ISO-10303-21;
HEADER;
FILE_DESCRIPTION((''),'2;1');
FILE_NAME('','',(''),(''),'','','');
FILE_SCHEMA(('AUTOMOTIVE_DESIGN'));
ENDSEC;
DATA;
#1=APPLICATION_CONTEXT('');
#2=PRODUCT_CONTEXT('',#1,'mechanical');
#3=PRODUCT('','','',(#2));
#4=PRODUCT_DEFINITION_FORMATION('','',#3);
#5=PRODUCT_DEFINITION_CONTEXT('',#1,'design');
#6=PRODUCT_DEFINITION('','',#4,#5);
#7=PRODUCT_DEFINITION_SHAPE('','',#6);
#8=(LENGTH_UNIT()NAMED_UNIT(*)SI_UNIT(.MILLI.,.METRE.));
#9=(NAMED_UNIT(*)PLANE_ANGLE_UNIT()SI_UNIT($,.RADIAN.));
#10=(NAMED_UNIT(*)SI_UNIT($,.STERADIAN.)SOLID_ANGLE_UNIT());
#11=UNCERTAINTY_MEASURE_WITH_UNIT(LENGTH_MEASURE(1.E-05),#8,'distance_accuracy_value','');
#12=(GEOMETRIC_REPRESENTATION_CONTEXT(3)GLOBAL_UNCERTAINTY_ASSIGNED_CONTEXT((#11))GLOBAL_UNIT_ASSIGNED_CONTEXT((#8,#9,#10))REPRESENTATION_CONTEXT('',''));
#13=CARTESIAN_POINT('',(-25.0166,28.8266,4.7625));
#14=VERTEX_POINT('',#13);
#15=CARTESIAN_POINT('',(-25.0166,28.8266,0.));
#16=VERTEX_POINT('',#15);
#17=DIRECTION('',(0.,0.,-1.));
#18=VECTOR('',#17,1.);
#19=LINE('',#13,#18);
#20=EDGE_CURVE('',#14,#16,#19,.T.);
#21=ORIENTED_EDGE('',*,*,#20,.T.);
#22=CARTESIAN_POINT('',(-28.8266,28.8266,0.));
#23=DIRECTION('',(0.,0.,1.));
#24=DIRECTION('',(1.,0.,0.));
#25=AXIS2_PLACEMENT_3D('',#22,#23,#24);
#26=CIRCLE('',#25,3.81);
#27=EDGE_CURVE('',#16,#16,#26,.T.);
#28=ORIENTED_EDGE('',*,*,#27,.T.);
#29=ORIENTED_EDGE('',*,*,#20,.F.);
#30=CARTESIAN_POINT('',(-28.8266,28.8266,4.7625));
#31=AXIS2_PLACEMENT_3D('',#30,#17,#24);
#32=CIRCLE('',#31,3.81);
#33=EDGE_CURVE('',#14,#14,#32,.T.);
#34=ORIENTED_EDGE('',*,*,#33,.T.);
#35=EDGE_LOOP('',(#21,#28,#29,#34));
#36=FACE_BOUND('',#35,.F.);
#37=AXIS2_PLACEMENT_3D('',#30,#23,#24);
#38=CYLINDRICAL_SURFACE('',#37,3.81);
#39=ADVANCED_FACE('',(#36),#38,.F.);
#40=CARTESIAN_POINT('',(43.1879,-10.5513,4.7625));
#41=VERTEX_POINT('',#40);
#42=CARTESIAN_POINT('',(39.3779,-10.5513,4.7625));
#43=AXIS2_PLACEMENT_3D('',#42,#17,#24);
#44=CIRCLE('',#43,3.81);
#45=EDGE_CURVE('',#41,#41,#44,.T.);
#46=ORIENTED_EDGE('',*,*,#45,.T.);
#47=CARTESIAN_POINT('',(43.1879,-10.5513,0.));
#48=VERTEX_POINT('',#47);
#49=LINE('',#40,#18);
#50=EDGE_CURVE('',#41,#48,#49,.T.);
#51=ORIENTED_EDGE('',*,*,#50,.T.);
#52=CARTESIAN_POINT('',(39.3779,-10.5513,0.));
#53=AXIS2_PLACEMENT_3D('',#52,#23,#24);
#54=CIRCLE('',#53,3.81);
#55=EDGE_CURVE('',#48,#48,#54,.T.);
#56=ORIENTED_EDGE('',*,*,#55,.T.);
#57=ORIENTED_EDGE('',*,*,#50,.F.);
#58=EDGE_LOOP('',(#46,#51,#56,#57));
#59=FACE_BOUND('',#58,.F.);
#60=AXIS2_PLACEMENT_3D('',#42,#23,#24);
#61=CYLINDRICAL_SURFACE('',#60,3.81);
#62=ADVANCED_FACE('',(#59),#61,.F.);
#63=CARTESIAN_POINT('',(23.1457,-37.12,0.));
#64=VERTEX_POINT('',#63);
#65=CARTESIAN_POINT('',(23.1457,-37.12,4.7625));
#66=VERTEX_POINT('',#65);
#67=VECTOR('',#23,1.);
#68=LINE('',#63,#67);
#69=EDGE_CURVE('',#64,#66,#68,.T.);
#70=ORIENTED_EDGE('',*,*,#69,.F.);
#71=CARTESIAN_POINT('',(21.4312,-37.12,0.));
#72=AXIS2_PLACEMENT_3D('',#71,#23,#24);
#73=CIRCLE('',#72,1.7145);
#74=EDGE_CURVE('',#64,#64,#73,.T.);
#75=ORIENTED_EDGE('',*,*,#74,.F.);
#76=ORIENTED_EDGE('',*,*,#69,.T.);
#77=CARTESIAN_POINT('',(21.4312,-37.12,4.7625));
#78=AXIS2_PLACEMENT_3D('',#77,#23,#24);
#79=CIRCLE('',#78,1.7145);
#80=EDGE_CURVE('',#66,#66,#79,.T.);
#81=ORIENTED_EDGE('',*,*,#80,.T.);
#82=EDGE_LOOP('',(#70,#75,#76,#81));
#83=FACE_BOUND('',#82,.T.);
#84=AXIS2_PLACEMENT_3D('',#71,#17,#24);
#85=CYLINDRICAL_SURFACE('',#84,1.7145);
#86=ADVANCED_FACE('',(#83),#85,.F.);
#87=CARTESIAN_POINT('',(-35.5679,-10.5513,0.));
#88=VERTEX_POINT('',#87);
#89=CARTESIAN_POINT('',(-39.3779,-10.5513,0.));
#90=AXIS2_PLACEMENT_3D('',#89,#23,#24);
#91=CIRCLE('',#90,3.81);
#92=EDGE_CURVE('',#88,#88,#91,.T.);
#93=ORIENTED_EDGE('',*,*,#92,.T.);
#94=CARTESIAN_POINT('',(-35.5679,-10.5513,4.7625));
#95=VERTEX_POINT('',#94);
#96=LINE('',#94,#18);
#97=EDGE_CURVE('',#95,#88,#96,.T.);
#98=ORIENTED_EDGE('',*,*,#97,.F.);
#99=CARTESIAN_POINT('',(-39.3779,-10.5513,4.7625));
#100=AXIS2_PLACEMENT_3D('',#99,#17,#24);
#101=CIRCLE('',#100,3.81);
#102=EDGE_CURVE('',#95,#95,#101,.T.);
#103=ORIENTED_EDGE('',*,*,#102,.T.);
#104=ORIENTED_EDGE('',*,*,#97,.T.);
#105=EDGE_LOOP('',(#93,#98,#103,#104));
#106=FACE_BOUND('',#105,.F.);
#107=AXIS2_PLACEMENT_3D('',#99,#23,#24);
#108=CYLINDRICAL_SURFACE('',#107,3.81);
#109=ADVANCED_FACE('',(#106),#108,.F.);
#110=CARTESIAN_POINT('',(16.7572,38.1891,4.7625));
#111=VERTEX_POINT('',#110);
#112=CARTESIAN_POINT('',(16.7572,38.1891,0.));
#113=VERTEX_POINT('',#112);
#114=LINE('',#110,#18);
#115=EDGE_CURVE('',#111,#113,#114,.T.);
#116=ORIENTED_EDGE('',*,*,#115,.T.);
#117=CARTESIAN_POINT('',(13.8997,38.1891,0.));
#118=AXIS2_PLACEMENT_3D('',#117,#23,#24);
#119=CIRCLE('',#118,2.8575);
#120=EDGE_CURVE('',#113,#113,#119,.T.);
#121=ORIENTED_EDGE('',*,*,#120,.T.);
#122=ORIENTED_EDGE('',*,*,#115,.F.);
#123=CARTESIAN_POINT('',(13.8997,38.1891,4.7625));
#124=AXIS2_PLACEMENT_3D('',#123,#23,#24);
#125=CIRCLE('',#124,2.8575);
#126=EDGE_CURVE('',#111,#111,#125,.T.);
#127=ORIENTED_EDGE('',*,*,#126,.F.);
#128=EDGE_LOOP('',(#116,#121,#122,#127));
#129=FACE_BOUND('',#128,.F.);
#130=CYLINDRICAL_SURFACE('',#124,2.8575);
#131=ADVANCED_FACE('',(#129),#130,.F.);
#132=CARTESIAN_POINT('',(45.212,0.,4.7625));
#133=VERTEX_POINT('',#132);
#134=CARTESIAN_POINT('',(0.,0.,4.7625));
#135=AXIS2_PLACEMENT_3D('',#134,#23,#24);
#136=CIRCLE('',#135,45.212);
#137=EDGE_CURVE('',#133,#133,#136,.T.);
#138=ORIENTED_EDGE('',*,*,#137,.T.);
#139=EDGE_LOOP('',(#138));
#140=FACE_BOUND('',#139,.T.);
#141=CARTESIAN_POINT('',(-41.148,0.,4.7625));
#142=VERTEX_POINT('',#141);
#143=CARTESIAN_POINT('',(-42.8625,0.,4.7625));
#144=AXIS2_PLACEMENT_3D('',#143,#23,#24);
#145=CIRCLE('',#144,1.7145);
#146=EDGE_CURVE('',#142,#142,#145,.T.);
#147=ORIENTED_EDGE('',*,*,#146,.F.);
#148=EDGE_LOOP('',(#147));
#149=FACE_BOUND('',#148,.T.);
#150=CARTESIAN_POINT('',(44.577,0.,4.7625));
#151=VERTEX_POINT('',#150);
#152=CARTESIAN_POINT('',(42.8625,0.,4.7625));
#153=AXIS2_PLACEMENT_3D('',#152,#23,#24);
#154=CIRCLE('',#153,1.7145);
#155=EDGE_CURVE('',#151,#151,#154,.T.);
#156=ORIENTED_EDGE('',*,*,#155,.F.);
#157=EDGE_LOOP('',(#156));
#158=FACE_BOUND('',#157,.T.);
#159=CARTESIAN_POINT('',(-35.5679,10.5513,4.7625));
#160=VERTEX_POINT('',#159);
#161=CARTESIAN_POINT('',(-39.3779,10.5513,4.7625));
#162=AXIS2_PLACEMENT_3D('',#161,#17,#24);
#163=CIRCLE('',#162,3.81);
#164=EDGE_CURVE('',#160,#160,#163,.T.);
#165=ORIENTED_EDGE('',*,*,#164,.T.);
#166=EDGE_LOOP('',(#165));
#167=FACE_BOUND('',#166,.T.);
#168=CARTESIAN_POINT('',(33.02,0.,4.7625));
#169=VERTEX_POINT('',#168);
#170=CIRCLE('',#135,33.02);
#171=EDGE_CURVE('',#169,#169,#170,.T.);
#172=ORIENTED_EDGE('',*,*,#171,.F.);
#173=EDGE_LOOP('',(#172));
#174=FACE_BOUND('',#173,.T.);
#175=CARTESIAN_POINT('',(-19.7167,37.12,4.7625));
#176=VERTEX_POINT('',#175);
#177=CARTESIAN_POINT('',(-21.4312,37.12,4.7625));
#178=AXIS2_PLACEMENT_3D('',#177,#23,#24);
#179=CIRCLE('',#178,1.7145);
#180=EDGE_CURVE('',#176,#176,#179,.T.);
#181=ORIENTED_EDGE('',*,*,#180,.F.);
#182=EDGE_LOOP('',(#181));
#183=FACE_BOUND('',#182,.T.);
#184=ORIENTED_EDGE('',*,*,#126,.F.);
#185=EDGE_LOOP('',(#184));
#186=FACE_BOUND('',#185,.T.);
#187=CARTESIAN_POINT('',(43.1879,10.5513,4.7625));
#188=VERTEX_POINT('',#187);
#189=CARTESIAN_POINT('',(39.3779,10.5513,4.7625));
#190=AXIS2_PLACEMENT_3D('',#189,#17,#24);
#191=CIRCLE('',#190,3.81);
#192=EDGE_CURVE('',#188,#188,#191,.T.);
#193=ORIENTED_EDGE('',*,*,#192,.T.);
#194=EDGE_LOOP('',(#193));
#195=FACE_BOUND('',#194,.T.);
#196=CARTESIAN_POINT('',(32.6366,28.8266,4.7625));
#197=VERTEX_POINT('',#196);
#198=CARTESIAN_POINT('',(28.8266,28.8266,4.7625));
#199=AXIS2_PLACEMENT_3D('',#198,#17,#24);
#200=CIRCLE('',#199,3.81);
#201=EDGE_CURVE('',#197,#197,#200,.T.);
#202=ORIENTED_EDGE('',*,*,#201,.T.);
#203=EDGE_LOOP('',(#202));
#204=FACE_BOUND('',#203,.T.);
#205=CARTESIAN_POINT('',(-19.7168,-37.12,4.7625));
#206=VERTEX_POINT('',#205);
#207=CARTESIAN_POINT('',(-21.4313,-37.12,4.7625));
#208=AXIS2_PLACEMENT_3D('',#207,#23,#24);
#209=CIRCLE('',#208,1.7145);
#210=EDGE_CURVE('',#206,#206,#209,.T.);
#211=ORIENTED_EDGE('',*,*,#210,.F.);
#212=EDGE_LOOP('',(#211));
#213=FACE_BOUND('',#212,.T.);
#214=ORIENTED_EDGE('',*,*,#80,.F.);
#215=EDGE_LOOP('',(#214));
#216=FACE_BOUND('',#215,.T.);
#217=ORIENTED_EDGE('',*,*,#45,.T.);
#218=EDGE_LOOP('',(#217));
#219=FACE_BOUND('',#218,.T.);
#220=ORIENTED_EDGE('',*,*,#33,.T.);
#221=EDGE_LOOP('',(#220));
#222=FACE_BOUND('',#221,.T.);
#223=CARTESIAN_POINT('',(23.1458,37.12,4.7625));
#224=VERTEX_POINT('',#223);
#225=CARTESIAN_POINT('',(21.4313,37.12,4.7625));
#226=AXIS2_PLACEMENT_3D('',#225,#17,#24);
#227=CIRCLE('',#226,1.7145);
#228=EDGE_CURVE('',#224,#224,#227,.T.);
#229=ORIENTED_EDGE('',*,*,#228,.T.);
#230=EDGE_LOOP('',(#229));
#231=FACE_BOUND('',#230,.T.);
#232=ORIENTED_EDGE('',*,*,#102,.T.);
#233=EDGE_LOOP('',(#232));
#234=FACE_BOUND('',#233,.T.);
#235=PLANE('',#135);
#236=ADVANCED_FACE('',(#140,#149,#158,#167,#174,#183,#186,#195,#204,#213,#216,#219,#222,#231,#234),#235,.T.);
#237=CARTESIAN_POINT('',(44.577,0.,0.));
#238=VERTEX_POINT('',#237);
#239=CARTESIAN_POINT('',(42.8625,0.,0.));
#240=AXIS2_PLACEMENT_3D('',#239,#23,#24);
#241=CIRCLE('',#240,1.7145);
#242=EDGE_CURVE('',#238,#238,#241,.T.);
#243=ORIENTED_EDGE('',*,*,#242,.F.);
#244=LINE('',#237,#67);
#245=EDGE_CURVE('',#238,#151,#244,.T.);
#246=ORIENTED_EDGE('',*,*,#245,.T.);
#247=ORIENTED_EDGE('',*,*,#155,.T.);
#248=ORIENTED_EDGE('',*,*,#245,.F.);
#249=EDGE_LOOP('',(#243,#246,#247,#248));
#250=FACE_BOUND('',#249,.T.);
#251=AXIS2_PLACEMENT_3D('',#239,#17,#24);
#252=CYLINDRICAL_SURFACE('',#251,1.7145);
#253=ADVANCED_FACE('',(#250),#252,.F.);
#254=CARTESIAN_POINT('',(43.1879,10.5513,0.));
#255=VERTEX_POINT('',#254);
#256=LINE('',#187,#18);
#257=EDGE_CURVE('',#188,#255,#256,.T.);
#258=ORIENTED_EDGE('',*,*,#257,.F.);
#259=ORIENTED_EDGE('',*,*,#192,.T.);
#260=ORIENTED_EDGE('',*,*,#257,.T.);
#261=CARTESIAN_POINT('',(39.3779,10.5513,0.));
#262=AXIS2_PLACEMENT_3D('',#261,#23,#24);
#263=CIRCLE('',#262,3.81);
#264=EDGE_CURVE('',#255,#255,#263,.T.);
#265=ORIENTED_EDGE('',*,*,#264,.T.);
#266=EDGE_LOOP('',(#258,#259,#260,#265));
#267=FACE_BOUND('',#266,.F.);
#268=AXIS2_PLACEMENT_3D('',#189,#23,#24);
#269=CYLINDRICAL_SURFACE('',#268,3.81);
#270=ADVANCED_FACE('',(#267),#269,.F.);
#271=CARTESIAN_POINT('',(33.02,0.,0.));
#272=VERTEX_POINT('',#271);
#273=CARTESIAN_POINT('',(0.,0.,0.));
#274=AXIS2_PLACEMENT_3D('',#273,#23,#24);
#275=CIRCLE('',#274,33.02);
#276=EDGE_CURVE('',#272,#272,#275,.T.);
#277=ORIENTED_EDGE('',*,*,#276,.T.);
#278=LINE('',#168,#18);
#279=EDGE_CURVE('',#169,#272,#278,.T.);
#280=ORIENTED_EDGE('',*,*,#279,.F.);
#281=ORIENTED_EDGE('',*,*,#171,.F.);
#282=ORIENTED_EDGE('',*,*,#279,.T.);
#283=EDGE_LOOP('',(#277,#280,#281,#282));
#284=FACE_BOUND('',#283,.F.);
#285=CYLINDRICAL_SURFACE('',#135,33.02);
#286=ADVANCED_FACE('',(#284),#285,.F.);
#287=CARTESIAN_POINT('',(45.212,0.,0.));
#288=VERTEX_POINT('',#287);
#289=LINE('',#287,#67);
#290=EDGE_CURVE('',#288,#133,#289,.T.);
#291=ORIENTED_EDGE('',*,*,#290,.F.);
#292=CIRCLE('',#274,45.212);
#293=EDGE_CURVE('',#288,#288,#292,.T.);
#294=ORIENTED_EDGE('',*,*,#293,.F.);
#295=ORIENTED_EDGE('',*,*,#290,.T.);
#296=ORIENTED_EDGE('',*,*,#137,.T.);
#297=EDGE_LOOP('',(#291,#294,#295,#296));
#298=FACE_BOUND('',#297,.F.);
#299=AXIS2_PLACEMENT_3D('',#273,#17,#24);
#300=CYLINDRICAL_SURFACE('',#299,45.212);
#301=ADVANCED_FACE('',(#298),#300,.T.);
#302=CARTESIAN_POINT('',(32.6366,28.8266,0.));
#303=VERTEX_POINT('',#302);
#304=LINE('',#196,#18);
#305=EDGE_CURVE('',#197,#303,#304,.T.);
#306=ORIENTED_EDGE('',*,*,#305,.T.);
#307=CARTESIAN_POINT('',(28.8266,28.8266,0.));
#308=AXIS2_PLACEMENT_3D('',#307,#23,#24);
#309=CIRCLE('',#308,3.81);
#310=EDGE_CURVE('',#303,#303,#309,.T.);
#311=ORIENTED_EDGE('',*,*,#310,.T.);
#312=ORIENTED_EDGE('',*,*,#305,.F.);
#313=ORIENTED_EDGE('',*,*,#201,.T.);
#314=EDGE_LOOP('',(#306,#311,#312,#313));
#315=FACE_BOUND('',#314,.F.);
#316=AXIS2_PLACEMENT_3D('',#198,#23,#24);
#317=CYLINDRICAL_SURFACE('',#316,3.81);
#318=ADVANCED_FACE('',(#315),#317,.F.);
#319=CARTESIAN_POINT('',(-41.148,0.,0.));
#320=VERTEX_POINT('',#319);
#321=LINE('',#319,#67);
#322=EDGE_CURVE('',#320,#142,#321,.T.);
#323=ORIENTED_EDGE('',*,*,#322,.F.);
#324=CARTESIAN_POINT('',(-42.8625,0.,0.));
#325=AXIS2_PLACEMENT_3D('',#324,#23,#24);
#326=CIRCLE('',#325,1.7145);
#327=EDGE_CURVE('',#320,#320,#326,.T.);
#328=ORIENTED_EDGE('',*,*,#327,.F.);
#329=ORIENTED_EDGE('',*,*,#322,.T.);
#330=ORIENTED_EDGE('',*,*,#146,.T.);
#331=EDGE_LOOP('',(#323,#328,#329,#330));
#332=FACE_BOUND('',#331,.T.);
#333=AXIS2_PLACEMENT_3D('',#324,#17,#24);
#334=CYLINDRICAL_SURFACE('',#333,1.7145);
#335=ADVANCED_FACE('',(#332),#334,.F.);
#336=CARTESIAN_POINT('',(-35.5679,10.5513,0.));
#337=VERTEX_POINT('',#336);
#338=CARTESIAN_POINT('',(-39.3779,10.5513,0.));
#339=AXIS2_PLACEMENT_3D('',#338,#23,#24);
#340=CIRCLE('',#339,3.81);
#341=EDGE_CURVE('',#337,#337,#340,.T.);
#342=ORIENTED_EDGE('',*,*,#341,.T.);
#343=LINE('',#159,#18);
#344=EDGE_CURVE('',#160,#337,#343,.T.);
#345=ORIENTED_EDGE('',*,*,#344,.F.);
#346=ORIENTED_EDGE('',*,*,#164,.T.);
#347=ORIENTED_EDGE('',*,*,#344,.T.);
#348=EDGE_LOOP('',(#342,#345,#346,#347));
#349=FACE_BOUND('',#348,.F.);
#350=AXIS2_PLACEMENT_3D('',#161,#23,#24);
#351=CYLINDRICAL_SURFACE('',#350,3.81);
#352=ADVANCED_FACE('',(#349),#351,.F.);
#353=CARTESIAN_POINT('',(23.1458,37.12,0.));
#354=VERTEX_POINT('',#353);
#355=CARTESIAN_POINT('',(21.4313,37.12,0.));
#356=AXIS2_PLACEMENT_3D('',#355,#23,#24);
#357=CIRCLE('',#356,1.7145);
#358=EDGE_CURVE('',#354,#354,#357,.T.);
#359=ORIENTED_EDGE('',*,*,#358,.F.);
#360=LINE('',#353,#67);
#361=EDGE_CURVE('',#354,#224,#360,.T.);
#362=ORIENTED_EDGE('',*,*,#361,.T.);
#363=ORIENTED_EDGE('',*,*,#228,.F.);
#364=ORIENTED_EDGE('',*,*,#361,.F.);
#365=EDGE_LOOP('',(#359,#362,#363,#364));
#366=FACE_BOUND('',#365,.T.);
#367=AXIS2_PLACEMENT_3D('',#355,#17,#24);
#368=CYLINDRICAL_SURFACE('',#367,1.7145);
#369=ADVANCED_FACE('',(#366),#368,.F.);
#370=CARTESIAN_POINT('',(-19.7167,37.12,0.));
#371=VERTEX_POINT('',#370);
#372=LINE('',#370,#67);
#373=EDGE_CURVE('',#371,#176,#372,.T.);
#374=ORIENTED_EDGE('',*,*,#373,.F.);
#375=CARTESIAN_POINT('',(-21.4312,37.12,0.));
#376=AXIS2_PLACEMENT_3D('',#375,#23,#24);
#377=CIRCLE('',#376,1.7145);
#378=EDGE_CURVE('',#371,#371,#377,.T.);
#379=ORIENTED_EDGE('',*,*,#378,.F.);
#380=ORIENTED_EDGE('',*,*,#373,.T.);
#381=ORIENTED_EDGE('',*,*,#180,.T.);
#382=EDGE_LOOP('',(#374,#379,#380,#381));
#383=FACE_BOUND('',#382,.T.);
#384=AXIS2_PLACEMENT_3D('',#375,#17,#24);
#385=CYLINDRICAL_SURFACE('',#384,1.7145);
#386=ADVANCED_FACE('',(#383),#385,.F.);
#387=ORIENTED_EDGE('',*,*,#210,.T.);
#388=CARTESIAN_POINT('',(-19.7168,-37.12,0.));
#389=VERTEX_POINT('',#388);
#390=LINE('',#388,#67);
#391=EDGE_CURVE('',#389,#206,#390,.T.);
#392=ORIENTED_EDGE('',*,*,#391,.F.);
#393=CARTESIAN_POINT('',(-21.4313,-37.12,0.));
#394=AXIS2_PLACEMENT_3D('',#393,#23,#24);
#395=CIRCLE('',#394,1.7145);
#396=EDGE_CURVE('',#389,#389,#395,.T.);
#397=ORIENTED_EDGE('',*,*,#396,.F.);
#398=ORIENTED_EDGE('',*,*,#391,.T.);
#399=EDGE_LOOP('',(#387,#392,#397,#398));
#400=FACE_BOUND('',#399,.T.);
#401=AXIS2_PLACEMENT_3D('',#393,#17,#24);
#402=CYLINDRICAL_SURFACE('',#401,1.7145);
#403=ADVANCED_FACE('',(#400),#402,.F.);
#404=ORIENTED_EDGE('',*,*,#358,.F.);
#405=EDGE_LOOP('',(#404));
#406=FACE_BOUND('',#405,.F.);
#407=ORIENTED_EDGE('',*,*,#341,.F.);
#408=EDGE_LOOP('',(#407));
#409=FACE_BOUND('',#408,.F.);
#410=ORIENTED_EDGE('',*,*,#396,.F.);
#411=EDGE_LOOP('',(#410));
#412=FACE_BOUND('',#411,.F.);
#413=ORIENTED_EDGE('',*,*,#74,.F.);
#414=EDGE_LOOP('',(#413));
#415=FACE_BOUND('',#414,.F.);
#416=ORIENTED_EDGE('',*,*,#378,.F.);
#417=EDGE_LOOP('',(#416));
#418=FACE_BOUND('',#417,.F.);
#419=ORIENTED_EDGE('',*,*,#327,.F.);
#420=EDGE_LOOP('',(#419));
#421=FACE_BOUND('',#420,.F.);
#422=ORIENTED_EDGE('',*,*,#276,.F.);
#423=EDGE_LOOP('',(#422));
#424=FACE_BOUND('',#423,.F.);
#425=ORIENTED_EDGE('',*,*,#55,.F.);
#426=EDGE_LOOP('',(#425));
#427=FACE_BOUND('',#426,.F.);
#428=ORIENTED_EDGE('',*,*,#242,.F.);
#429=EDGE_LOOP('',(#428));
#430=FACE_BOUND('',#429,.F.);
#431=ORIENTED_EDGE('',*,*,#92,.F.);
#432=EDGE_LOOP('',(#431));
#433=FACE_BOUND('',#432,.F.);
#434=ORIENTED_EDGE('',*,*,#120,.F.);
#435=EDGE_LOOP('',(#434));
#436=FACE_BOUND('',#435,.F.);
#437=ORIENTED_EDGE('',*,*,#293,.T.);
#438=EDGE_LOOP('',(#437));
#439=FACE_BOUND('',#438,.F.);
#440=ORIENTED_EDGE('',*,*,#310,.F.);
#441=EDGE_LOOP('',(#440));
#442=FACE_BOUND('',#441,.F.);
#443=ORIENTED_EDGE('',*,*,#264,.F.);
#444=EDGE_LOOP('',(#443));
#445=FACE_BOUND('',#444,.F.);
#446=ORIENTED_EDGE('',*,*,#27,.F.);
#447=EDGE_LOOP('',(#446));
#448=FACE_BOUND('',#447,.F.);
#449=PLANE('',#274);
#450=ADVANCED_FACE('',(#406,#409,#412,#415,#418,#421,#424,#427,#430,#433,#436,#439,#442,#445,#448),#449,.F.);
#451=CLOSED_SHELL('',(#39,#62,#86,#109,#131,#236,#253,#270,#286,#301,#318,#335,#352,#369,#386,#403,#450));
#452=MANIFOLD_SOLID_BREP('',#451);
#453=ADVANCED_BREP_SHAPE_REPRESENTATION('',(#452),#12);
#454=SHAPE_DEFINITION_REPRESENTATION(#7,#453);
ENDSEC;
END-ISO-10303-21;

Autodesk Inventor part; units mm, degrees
ref_plane "YZ Plane" through (0, 0, 0) normal (1, 0, 0) x (0, 1, 0)
ref_plane "XZ Plane" through (0, 0, 0) normal (0, 1, 0) x (-1, 0, 0)
ref_plane "XY Plane" through (0, 0, 0) normal (0, 0, 1) x (1, 0, 0)
sketch "Sketch1" plane through (0, 0, 0) normal (0, 0, 1) x (1, 0, 0)
  circle A0 centre (0, 0) radius 45.212
  line L0 (0, 0) -> (21.4313, 37.12)
  line L1 (0, 0) -> (42.8625, 0) construction
  circle A1 centre (21.4313, 37.12) radius 1.7145
  circle A2 centre (-21.4312, 37.12) radius 1.7145
  circle A3 centre (-42.8625, 0) radius 1.7145
  circle A4 centre (-21.4313, -37.12) radius 1.7145
  circle A5 centre (21.4312, -37.12) radius 1.7145
  circle A6 centre (42.8625, 0) radius 1.7145
  dimension "d0" = 90.424
  dimension "d1" = 42.8625
  dimension "d2" = 60
  dimension "d3" = 3.429
  dimension "d6" = 360
extrude "Extrusion1" add sketch "Sketch1" along normal blind 4.7625
sketch "Sketch2" plane through (0, 0, 4.7625) normal (0, 0, 1) x (1, 0, 0)
  circle A0 centre (0, 0) radius 33.02
  dimension "d10" = 66.04
extrude "Extrusion2" cut sketch "Sketch2" against normal blind 25.4
sketch "Sketch8" plane through (0, 0, 4.7625) normal (0, 0, 1) x (1, 0, 0)
  circle A0 centre (0, 0) radius 33.02 projected
  circle A1 centre (42.8625, 0) radius 1.7145 projected
  circle A2 centre (21.4312, -37.12) radius 1.7145 projected
  circle A3 centre (-21.4313, -37.12) radius 1.7145 projected
  circle A4 centre (-42.8625, 0) radius 1.7145 projected
  circle A5 centre (-21.4312, 37.12) radius 1.7145 projected
  circle A6 centre (21.4313, 37.12) radius 1.7145 projected
  circle A7 centre (0, 0) radius 45.212 projected
  circle A8 centre (0, 0) radius 38.1
  circle A9 centre (39.3779, 10.5513) radius 3.81
  circle A10 centre (39.3779, 10.5513) radius 2.4447
  line L0 (0, 0) -> (39.3779, 10.5513)
  line L1 (0, 0) -> (36.2951, 20.955)
  line L2 (0, 0) -> (41.91, 0) construction
  circle A11 centre (36.2951, 20.955) radius 1.5875
  line L3 (0, 0) -> (0, 9.3613)
  circle A12 centre (39.3779, -10.5513) radius 3.81
  circle A13 centre (-39.3779, 10.5513) radius 3.81
  circle A14 centre (-39.3779, -10.5513) radius 3.81
  circle A15 centre (28.8266, 28.8266) radius 3.81
  line L4 (21.4313, 37.12) -> (0, 0)
  line L5 (0, 0) -> (28.8266, 28.8266)
  circle A16 centre (-28.8266, 28.8266) radius 3.81
  dimension "d37" = 76.2
  dimension "d38" = 7.62
  dimension "d39" = 4.8895
  dimension "d40" = 40.767
  dimension "d42" = 41.91
  dimension "d43" = 30
  dimension "d44" = 3.175
  dimension "d45" = 15
  dimension "d49" = 7.62
  dimension "d50" = 15
  dimension "d51" = 40.767
extrude "Extrusion6" cut sketch "Sketch8" against normal blind 25.4 contours L0 A8 A9 | A9 A8 L0 | A10 | A9 A8 | A12 A8 | A8 A12 | A13 A8 | A8 A13 | A14 A8 | A8 A14
extrude "Extrusion7" cut sketch "Sketch8" against normal blind 25.4 contours L5 A8 A15 | A15 A8 L5 | A15 A8 | A16 A8 | A8 A16
sketch "Sketch11" plane through (0, 0, 4.7625) normal (0, 0, 1) x (1, 0, 0)
  circle A0 centre (13.8997, 38.1891) radius 2.8575
  line L0 (0, 0) -> (13.8997, 38.1891) construction
  line L1 (0, 0) -> (40.64, 0) construction
  dimension "d55" = 5.715
  dimension "d56" = 70
  dimension "d57" = 40.64
extrude "Extrusion8" cut sketch "Sketch11" against normal through all
equation "\"d49\" = d38"
equation "\"d50\" = d45"
equation "\"d51\" = d40"
properties part number "forwardBallastSealingWallDisc" material "Aluminum 6061"
